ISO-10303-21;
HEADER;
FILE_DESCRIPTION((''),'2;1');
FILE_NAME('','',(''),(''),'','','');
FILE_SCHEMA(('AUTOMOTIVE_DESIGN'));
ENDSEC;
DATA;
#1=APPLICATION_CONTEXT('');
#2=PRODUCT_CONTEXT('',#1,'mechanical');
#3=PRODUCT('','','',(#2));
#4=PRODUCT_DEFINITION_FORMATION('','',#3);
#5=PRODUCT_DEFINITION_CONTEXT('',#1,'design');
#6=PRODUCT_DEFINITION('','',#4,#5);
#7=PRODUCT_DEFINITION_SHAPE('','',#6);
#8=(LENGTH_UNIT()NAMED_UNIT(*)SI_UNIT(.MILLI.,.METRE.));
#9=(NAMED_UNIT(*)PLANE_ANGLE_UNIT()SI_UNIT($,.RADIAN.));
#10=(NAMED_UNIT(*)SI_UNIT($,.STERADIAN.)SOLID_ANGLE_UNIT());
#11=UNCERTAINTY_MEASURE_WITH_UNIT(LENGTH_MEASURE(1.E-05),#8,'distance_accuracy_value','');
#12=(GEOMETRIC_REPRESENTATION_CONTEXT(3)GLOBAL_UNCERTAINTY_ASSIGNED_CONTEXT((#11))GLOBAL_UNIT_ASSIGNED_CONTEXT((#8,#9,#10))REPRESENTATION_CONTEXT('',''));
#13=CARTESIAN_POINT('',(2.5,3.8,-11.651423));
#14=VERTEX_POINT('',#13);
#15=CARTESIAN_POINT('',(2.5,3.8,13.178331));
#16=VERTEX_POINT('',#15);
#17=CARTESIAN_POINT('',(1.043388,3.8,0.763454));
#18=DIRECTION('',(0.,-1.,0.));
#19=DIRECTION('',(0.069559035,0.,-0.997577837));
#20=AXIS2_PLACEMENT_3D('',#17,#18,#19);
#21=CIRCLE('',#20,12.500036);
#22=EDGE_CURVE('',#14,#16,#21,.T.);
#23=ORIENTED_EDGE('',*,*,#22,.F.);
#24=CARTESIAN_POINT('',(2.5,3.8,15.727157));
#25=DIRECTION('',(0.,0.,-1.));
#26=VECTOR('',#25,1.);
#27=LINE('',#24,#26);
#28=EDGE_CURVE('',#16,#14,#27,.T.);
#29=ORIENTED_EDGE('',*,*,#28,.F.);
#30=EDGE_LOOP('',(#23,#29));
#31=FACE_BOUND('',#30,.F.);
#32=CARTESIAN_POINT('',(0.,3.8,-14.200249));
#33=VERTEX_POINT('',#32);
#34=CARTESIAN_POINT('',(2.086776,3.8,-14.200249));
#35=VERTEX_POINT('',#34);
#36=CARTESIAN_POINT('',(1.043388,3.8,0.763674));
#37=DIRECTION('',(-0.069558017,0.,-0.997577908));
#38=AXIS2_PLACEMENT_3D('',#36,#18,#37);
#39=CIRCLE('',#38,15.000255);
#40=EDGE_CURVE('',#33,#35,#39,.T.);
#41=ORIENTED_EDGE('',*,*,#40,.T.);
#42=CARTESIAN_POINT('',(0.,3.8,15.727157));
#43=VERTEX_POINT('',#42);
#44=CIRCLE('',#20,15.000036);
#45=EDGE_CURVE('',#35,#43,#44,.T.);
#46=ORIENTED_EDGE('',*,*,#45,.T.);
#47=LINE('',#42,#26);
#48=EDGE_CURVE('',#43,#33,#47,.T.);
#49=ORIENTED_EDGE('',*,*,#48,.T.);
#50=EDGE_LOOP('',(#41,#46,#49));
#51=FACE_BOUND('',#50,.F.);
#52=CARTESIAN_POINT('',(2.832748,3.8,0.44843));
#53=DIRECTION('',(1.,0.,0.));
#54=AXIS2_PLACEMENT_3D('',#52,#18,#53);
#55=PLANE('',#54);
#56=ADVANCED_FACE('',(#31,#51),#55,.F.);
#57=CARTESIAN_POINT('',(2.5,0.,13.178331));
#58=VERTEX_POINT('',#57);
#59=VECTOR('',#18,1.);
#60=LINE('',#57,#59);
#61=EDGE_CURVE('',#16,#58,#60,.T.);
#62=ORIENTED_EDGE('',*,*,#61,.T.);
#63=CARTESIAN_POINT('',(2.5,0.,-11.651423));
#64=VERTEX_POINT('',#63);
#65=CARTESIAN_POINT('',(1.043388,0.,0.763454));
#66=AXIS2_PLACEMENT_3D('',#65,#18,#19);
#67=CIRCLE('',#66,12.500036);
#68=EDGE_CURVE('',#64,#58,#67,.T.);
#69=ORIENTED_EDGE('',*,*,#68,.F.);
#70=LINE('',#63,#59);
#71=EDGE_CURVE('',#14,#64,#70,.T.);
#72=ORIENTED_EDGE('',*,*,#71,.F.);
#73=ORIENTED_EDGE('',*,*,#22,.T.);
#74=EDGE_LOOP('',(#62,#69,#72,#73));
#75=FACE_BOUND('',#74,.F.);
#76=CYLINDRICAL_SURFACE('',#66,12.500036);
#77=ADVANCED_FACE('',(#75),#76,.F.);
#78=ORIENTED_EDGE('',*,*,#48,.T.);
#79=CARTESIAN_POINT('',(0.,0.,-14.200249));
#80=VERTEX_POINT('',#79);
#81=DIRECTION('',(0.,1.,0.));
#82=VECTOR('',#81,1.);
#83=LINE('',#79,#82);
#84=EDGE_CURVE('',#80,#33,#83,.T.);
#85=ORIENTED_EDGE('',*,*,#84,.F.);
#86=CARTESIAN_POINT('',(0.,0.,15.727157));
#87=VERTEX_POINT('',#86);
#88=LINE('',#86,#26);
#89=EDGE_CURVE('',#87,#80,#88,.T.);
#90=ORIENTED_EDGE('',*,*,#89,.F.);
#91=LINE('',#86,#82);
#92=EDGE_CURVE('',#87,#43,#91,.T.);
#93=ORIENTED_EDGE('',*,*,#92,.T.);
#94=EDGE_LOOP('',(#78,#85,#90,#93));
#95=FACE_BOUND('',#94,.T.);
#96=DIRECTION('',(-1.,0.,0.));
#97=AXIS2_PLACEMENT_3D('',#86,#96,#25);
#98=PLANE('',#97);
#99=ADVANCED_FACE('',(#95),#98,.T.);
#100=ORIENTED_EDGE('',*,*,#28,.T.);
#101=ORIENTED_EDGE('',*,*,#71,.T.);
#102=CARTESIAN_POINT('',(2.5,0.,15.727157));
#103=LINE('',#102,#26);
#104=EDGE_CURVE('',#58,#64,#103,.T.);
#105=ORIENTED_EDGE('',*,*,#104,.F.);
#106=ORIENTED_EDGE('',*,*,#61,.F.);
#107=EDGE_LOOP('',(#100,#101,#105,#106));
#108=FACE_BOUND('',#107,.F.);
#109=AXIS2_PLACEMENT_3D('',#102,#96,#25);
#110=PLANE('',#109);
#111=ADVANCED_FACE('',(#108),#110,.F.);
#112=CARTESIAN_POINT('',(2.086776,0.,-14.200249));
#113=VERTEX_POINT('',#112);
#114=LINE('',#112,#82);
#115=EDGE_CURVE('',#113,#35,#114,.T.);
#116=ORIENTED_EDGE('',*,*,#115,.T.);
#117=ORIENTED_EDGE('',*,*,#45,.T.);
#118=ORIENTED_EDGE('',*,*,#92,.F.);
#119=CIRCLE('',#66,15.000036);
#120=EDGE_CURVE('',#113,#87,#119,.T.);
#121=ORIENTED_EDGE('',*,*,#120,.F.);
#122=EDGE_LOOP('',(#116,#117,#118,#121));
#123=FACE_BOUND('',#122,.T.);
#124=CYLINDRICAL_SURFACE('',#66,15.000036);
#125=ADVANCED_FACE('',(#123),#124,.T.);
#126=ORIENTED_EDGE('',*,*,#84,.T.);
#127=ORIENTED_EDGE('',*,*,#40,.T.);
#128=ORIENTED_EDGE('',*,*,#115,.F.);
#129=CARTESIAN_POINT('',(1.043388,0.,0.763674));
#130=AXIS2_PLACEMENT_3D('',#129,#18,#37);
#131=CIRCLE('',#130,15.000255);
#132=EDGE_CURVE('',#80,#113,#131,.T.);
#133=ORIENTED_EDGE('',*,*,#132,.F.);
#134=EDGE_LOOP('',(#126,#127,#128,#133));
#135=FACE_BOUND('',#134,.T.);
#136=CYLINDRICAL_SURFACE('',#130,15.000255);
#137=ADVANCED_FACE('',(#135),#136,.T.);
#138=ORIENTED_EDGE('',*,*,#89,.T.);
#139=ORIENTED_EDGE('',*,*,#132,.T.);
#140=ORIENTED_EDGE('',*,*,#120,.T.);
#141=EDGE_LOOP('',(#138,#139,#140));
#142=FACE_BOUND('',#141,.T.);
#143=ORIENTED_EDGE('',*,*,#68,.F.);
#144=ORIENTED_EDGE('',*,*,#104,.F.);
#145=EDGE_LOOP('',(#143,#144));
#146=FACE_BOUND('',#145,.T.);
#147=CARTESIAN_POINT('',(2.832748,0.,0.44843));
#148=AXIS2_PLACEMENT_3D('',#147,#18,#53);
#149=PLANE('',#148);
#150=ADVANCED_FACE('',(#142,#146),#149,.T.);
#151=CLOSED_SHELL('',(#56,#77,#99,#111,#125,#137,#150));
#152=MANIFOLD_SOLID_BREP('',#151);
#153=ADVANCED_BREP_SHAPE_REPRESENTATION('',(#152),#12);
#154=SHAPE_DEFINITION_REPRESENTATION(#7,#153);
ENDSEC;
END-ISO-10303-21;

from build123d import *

# Parameters (mm, degrees)
F1_DEPTH = 3.8
F2_T     = -2.5


with BuildPart() as f1:
    # F0 (on Front) → F1 (new body)
    with BuildSketch(Plane.XZ):
        with BuildLine():
            ThreePointArc((2.086776, -14.200249), (8.493169, 1.282912), (0, 15.727157))
            Line((0, 15.727157), (0, -14.200249))
            ThreePointArc((0, -14.200249), (1.043388, -14.236581), (2.086776, -14.200249))
        make_face()
        with BuildLine():
            ThreePointArc((2.086776, -14.200249), (16.007091, 1.806842), (0, 15.727157))
            ThreePointArc((0, 15.727157), (8.493169, 1.282912), (2.086776, -14.200249))
        make_face()
    extrude(amount=-F1_DEPTH)

    # F2
    f2_openings = [f1.faces().sort_by_distance(p)[0] for p in [
        (6.849636, 0, 0.763454),
        (6.849636, 3.8, 0.763454),
    ]]
    offset(amount=F2_T, openings=f2_openings)


solid = f1.part
